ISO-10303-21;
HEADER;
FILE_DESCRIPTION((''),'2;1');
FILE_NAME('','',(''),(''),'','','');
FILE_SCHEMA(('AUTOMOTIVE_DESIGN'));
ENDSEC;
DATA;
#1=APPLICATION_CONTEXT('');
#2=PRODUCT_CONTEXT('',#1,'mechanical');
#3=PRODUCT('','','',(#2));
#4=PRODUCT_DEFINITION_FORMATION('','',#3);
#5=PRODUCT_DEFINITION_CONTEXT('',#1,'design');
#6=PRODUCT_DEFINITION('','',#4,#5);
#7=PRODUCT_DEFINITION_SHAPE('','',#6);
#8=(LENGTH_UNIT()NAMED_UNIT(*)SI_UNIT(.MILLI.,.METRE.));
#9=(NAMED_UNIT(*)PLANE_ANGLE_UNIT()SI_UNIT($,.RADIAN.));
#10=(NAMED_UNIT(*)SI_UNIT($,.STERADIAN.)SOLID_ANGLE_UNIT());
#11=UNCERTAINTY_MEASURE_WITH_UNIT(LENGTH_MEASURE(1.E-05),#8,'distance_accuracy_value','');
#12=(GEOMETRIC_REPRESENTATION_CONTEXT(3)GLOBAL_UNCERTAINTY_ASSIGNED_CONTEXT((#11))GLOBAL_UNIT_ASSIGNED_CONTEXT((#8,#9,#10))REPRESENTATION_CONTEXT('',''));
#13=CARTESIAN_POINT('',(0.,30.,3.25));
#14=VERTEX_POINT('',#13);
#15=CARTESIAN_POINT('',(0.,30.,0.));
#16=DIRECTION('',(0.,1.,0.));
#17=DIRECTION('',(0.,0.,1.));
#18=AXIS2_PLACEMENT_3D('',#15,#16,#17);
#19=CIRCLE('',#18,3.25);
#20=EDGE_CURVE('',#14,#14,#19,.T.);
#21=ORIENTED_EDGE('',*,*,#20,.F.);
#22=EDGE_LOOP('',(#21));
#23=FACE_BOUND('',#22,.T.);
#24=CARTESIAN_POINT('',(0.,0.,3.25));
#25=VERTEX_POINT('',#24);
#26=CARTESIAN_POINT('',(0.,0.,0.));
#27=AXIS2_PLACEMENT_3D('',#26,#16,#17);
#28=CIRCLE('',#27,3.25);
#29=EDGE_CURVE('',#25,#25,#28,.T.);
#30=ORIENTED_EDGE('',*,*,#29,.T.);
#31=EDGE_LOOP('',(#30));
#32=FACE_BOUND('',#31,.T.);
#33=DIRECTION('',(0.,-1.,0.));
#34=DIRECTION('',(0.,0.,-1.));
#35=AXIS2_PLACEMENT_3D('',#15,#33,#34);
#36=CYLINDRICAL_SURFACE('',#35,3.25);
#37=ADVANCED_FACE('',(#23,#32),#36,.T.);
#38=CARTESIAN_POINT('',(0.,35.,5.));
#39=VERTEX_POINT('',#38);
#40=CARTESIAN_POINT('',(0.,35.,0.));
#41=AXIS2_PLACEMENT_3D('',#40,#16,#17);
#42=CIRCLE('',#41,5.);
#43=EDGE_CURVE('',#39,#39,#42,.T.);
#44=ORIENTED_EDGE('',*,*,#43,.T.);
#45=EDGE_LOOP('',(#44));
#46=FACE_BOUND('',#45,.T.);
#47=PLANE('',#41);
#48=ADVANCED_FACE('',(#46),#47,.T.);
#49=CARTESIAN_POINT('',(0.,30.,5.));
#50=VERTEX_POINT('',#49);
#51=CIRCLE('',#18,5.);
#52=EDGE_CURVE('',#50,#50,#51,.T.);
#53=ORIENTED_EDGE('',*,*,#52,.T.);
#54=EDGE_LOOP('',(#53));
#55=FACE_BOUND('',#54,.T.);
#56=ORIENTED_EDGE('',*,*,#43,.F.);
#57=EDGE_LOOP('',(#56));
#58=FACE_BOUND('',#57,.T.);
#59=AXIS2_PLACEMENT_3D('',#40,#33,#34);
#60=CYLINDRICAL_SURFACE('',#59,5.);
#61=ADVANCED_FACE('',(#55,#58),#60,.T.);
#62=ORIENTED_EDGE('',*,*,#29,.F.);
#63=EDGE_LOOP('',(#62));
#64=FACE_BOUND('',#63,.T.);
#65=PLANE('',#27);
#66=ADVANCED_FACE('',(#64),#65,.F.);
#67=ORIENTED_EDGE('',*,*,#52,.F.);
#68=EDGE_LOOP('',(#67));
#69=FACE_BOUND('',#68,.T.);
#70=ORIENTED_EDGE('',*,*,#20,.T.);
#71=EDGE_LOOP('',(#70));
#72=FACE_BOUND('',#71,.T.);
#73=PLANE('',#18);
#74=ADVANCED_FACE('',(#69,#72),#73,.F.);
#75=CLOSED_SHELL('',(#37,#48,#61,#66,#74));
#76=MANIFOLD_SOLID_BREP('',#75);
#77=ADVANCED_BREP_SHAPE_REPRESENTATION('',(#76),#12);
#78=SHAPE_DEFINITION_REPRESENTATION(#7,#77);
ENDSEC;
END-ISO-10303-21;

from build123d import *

# Parameters (mm, degrees)
SKETCH1_R           = 3.25
BOSS_EXTRUDE1_DEPTH = 30
SKETCH2_R           = 5
BOSS_EXTRUDE2_DEPTH = 5


with BuildPart() as part:
    # Sketch1 → Boss-Extrude1 (new body)
    with BuildSketch(Plane(origin=(0, 0, 0), x_dir=(1, 0, 0), z_dir=(0, 1, 0))):
        Circle(SKETCH1_R)
    extrude(amount=BOSS_EXTRUDE1_DEPTH)

    # Sketch2 → Boss-Extrude2 (add)
    with BuildSketch(Plane(origin=(0, 30, 0), x_dir=(1, 0, 0), z_dir=(0, 1, 0))):
        Circle(SKETCH2_R)
    extrude(amount=BOSS_EXTRUDE2_DEPTH)


solid = part.part
